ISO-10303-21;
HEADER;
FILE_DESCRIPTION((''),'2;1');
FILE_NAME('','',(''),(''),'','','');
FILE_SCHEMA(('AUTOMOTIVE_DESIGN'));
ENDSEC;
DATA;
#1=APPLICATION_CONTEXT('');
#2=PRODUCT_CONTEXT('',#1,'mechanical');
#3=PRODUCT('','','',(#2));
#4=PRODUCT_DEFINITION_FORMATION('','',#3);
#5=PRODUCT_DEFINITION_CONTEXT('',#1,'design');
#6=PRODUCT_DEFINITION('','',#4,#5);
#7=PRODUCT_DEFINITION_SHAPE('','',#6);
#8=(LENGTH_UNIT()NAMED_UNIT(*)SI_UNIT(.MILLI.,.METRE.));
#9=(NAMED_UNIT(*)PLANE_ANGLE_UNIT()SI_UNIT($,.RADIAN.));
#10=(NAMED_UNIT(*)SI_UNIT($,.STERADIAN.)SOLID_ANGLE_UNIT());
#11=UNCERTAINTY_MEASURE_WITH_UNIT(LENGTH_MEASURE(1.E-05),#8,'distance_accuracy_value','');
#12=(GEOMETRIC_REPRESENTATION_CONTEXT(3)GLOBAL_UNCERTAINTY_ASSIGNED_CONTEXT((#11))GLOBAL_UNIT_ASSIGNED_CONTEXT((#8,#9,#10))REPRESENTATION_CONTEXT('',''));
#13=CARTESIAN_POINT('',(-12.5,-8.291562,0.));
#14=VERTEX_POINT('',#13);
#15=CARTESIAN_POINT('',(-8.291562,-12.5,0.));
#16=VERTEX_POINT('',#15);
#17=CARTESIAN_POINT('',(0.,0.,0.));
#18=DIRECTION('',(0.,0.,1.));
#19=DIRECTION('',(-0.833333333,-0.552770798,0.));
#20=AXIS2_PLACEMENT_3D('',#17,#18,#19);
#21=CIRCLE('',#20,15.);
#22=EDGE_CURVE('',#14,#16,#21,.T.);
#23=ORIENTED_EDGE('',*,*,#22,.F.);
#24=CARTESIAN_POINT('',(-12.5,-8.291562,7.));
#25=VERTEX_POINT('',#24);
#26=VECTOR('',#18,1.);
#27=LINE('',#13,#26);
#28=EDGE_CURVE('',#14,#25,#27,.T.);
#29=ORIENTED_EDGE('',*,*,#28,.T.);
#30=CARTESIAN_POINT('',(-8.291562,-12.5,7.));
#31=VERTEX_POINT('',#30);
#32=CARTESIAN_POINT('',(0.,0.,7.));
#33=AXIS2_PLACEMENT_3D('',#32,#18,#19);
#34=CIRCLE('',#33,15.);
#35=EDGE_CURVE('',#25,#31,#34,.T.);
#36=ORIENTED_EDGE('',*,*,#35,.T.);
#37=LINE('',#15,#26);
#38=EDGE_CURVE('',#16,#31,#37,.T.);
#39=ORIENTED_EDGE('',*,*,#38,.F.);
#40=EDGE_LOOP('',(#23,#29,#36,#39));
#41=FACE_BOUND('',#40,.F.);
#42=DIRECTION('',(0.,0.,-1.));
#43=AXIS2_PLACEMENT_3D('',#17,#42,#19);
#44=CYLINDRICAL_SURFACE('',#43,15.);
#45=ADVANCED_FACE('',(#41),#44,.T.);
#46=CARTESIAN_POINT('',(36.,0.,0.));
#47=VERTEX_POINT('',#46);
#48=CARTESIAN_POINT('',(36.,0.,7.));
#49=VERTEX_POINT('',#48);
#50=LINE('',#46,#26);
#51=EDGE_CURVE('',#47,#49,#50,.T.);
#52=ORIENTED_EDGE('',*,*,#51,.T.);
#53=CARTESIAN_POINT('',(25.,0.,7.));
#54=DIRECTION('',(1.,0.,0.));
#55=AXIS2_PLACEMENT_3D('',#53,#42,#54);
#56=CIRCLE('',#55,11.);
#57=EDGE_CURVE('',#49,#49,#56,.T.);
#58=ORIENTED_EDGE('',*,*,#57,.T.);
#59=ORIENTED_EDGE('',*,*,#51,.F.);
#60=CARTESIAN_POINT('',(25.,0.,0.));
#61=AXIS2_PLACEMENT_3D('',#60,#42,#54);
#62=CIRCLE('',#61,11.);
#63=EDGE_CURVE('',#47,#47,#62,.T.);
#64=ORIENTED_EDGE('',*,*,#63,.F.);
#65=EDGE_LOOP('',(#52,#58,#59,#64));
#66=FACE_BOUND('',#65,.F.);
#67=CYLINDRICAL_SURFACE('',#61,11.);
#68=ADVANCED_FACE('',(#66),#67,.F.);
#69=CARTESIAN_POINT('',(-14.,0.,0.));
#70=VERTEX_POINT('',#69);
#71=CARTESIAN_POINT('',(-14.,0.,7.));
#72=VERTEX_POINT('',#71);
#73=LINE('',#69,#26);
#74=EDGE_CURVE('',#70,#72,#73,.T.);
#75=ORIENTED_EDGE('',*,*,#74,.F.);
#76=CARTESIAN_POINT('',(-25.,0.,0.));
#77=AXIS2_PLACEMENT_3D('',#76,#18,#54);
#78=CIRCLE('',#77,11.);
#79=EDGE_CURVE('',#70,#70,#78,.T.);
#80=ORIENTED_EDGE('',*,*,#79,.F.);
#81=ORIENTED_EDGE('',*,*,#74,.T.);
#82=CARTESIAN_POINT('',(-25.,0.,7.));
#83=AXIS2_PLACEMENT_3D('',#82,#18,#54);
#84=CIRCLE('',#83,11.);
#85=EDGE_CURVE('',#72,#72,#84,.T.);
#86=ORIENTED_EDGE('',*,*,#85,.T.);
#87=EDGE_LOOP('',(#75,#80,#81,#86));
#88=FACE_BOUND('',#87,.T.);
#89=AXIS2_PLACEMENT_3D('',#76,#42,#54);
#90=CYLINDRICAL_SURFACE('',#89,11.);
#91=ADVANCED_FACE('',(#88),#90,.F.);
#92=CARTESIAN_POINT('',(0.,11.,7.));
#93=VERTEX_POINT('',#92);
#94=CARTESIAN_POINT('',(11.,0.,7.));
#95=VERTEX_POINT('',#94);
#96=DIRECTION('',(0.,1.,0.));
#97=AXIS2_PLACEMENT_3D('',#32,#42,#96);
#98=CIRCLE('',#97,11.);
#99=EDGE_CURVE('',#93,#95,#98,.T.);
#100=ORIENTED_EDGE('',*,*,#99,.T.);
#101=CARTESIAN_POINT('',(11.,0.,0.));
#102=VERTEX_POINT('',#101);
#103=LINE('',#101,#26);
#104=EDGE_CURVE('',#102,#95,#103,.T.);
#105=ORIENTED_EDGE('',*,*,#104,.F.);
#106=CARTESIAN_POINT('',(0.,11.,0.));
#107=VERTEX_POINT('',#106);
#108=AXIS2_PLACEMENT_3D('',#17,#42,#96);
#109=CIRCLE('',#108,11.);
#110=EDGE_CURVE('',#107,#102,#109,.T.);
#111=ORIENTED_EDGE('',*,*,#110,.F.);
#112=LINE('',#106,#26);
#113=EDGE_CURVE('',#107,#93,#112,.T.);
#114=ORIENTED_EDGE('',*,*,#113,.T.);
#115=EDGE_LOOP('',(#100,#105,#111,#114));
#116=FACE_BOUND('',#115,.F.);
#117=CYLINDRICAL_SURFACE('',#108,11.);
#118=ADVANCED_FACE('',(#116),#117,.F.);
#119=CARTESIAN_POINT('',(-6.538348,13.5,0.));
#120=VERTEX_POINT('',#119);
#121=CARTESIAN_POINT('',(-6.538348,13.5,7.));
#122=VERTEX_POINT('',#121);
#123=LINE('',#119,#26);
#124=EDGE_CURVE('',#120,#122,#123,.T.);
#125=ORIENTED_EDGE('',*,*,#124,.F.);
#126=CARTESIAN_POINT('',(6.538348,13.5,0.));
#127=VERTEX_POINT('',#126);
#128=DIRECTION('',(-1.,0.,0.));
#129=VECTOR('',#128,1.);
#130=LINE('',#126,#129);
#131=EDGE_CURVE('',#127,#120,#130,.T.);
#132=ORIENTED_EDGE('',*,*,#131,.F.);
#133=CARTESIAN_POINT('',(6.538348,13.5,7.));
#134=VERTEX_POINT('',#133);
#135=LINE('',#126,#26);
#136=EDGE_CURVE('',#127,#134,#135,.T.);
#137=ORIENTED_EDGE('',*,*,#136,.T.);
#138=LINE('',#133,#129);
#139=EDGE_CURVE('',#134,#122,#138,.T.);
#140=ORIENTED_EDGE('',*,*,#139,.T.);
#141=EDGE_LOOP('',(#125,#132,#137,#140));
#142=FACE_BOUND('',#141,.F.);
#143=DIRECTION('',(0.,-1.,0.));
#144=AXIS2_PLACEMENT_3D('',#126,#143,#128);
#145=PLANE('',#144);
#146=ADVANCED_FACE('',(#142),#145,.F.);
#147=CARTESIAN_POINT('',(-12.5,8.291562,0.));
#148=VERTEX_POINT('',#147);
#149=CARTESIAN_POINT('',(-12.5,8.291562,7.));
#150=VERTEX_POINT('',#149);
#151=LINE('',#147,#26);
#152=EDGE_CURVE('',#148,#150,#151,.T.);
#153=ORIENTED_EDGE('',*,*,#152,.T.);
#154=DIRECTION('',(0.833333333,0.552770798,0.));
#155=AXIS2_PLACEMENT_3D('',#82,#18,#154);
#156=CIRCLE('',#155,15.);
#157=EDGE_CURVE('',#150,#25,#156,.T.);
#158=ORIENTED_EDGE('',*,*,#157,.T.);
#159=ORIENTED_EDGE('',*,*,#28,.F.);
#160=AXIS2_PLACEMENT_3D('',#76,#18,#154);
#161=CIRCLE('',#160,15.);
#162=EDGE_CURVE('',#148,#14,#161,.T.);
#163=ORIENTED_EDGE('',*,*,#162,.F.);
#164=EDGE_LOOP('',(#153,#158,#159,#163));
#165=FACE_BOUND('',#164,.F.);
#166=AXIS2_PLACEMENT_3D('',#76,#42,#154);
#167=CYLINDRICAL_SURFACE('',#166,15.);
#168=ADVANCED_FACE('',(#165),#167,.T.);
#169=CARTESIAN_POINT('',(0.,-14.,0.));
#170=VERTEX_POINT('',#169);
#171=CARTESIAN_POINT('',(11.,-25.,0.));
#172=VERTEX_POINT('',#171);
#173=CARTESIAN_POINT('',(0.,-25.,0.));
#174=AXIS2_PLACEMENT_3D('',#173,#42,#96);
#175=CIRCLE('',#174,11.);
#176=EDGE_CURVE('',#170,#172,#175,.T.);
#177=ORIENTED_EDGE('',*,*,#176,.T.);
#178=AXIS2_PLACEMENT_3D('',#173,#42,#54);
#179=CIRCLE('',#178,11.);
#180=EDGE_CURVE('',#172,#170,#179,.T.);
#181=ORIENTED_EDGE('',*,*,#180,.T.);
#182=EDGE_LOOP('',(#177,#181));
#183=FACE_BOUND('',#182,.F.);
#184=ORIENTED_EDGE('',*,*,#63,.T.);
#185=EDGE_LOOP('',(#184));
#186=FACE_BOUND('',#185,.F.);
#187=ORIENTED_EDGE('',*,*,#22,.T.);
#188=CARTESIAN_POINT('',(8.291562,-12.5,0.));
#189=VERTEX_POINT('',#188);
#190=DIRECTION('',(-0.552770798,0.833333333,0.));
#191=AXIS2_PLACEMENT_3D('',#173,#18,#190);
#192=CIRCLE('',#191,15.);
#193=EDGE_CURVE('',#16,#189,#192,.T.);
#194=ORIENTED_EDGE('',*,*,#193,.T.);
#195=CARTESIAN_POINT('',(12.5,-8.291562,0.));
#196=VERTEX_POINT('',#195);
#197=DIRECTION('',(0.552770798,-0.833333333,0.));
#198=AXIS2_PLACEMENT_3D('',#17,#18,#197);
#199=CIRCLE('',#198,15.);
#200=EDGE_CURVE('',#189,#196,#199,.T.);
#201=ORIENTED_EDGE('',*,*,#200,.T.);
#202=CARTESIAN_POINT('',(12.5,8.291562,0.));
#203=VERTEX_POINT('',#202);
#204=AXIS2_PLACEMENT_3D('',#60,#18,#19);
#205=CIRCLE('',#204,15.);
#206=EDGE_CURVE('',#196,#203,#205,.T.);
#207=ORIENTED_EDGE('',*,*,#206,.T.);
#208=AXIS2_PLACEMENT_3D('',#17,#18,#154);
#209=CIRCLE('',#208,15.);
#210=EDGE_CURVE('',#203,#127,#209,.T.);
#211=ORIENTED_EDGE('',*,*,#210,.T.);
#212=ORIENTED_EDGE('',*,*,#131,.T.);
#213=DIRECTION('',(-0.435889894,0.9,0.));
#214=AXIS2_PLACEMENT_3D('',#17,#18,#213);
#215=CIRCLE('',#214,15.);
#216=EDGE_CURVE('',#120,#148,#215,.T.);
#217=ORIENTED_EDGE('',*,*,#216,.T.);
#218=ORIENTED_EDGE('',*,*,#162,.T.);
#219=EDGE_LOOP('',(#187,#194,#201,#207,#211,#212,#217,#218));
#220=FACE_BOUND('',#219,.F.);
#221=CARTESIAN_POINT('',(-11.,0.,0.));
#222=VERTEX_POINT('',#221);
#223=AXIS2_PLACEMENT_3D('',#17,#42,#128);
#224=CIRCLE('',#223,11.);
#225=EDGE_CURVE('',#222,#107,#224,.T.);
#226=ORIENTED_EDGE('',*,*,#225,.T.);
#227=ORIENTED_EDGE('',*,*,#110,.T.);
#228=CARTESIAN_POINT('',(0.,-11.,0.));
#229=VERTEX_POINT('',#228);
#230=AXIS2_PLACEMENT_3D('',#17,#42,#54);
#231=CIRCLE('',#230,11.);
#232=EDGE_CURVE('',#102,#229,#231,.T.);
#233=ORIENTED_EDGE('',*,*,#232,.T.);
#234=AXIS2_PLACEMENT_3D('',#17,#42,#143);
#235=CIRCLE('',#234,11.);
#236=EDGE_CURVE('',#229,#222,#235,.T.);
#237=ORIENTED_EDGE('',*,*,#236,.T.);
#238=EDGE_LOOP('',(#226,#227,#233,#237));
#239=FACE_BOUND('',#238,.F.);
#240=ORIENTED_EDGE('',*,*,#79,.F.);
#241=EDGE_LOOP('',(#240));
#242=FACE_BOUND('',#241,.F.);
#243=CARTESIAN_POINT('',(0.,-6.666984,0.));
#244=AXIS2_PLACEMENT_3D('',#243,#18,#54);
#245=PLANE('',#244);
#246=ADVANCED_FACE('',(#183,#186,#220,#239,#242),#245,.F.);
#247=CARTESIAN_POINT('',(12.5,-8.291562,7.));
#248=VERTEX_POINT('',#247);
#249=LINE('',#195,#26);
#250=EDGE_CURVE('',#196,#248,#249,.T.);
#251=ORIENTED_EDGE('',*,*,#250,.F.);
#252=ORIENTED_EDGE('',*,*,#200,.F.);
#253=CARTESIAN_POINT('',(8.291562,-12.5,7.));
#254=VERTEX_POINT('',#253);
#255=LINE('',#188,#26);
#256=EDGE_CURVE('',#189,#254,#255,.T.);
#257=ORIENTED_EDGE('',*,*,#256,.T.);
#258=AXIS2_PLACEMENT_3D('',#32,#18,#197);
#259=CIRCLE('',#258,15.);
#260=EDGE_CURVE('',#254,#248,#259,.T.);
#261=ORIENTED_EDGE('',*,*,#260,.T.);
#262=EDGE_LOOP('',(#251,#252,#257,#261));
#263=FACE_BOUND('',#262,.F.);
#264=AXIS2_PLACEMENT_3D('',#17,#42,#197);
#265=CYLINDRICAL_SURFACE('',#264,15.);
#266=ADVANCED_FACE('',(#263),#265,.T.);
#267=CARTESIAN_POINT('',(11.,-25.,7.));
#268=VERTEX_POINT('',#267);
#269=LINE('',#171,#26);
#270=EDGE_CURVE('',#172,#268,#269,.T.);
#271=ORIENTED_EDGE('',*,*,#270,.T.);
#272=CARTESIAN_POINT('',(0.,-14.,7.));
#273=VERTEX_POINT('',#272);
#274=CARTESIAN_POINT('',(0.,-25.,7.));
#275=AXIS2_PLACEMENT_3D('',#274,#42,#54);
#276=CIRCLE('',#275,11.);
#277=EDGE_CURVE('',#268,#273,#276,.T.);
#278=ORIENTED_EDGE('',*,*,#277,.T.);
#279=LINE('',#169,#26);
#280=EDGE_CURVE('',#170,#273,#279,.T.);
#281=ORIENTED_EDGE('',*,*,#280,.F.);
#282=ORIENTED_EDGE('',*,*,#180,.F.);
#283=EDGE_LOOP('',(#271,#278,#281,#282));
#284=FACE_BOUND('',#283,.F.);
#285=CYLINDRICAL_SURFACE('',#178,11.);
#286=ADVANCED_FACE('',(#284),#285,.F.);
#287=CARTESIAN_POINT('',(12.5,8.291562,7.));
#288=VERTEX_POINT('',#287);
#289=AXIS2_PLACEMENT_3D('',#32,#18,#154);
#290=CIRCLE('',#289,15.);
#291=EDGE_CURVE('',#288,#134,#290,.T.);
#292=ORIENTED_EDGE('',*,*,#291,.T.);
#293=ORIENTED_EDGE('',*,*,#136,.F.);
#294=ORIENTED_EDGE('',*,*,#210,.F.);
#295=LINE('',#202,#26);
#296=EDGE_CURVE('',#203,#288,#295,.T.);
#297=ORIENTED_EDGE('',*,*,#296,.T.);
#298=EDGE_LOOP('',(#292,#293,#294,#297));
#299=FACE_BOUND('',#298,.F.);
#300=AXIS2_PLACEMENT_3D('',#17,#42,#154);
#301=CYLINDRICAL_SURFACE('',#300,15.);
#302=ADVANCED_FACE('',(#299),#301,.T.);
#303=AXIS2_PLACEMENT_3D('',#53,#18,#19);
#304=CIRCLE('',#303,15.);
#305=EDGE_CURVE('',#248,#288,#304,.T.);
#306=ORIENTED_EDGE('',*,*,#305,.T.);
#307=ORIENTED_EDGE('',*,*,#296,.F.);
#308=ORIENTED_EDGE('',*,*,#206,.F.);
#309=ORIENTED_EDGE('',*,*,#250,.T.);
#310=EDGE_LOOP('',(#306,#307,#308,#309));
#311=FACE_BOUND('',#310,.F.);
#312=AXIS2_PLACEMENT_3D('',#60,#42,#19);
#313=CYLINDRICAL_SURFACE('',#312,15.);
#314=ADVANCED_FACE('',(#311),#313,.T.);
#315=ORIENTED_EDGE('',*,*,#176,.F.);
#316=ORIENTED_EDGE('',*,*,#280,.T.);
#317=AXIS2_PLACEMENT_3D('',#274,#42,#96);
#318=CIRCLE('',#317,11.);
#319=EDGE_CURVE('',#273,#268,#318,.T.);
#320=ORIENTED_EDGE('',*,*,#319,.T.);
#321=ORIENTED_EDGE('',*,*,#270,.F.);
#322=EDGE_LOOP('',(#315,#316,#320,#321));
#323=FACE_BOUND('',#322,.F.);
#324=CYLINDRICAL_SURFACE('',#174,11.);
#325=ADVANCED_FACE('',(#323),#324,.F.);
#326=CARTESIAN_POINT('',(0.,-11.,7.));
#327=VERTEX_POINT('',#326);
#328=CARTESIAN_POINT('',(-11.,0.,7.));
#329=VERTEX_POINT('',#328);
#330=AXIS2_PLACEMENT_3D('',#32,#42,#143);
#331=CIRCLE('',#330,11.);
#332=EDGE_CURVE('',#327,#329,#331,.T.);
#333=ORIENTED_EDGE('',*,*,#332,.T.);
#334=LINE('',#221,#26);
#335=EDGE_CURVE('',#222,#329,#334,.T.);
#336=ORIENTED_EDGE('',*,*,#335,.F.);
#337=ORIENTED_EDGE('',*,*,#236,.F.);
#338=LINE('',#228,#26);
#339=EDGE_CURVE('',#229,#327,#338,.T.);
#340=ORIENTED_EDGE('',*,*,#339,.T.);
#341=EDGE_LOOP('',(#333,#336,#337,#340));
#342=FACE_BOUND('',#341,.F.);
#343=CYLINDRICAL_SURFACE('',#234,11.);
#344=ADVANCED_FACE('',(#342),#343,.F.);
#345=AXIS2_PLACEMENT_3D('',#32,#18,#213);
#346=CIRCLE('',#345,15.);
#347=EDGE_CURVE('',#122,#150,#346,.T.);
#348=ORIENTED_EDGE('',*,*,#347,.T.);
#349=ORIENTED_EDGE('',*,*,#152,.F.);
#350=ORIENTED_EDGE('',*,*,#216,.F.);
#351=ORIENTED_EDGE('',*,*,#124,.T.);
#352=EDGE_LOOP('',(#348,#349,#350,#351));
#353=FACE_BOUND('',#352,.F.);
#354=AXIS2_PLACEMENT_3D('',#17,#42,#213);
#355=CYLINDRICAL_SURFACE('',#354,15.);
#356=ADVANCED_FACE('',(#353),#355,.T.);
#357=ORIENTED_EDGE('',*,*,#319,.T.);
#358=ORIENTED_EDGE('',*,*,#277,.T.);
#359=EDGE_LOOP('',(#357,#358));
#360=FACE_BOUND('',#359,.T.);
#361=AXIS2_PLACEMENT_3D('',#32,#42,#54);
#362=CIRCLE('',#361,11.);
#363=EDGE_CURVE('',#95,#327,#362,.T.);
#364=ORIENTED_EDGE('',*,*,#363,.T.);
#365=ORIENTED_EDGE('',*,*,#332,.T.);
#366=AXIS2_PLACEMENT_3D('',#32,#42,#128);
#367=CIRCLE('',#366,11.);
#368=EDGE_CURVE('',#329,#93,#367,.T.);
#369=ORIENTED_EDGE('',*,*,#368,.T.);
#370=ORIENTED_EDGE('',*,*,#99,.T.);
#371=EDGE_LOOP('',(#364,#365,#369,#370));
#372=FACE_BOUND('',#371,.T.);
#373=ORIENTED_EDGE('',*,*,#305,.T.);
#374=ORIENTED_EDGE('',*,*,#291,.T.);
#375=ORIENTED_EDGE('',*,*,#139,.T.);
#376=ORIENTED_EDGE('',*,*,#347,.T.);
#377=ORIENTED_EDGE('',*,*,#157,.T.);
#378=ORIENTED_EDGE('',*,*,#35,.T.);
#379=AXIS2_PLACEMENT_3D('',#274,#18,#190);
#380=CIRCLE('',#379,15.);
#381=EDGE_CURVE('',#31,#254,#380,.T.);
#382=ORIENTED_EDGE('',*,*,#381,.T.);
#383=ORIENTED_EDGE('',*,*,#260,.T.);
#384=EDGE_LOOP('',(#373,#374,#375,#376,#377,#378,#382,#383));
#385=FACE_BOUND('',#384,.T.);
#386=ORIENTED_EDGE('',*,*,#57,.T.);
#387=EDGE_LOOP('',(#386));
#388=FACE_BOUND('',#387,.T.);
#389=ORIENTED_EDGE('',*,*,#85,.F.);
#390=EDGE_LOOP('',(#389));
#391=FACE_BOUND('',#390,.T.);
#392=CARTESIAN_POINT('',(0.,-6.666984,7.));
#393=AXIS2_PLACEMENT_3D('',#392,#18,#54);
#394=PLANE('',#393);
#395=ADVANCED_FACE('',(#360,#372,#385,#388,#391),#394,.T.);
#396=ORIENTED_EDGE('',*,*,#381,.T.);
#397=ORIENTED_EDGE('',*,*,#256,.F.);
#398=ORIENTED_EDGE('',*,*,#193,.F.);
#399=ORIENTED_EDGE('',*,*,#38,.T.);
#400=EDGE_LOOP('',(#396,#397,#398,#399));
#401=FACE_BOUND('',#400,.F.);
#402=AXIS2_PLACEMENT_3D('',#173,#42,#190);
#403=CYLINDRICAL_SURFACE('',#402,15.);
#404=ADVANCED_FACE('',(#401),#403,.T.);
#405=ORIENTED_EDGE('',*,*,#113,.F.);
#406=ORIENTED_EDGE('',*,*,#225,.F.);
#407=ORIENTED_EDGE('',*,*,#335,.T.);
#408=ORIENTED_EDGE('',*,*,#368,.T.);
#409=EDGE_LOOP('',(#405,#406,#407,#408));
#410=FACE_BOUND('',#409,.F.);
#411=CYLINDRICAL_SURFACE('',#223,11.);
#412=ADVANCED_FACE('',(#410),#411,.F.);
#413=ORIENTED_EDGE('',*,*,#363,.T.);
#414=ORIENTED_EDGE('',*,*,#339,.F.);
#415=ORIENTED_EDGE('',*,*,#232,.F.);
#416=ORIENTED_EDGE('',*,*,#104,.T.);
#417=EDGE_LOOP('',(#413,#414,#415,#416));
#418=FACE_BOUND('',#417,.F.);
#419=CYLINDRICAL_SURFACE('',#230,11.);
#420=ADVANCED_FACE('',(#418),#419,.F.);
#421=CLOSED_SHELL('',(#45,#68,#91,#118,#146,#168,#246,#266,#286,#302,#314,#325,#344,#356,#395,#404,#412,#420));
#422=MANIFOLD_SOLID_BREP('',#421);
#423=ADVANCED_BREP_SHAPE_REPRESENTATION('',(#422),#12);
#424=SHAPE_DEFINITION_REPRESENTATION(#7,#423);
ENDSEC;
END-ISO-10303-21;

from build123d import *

# Parameters (mm, degrees)
F0_R     = 11
F1_DEPTH = 7


with BuildPart() as f1:
    # F0 (on Top) → F1 (new body)
    with BuildSketch(Plane.XY):
        with BuildLine():
            Line((6.5383484153, 13.5), (0, 13.5))
            Line((0, 13.5), (-6.5383484153, 13.5))
            ThreePointArc((-6.5383484153, 13.5), (-9.8689733133, 11.2961659753), (-12.5, 8.2915619759))
            ThreePointArc((-12.5, 8.2915619759), (-40, 0), (-12.5, -8.2915619759))
            ThreePointArc((-12.5, -8.2915619759), (-10.6066017178, -10.6066017178), (-8.2915619759, -12.5))
            ThreePointArc((-8.2915619759, -12.5), (0, -40), (8.2915619759, -12.5))
            ThreePointArc((8.2915619759, -12.5), (10.6066017178, -10.6066017178), (12.5, -8.2915619759))
            ThreePointArc((12.5, -8.2915619759), (40, 0), (12.5, 8.2915619759))
            ThreePointArc((12.5, 8.2915619759), (9.8689733133, 11.2961659753), (6.5383484153, 13.5))
        make_face()
        with BuildLine():
            ThreePointArc((11, -25), (-7.7781745931, -32.7781745931), (0, -14))
            ThreePointArc((0, -14), (7.7781745931, -17.2218254069), (11, -25))
        make_face(mode=Mode.SUBTRACT)
        with Locations((-25, 0)):
            Circle(F0_R, mode=Mode.SUBTRACT)
        with BuildLine():
            ThreePointArc((-11, 0), (-7.7781745931, 7.7781745931), (0, 11))
            ThreePointArc((0, 11), (7.7781745931, 7.7781745931), (11, 0))
            ThreePointArc((11, 0), (7.7781745931, -7.7781745931), (0, -11))
            ThreePointArc((0, -11), (-7.7781745931, -7.7781745931), (-11, 0))
        make_face(mode=Mode.SUBTRACT)
        with BuildLine():
            ThreePointArc((14, 0), (25, 11), (36, 0))
            ThreePointArc((36, 0), (25, -11), (14, 0))
        make_face(mode=Mode.SUBTRACT)
    extrude(amount=F1_DEPTH)


solid = f1.part
